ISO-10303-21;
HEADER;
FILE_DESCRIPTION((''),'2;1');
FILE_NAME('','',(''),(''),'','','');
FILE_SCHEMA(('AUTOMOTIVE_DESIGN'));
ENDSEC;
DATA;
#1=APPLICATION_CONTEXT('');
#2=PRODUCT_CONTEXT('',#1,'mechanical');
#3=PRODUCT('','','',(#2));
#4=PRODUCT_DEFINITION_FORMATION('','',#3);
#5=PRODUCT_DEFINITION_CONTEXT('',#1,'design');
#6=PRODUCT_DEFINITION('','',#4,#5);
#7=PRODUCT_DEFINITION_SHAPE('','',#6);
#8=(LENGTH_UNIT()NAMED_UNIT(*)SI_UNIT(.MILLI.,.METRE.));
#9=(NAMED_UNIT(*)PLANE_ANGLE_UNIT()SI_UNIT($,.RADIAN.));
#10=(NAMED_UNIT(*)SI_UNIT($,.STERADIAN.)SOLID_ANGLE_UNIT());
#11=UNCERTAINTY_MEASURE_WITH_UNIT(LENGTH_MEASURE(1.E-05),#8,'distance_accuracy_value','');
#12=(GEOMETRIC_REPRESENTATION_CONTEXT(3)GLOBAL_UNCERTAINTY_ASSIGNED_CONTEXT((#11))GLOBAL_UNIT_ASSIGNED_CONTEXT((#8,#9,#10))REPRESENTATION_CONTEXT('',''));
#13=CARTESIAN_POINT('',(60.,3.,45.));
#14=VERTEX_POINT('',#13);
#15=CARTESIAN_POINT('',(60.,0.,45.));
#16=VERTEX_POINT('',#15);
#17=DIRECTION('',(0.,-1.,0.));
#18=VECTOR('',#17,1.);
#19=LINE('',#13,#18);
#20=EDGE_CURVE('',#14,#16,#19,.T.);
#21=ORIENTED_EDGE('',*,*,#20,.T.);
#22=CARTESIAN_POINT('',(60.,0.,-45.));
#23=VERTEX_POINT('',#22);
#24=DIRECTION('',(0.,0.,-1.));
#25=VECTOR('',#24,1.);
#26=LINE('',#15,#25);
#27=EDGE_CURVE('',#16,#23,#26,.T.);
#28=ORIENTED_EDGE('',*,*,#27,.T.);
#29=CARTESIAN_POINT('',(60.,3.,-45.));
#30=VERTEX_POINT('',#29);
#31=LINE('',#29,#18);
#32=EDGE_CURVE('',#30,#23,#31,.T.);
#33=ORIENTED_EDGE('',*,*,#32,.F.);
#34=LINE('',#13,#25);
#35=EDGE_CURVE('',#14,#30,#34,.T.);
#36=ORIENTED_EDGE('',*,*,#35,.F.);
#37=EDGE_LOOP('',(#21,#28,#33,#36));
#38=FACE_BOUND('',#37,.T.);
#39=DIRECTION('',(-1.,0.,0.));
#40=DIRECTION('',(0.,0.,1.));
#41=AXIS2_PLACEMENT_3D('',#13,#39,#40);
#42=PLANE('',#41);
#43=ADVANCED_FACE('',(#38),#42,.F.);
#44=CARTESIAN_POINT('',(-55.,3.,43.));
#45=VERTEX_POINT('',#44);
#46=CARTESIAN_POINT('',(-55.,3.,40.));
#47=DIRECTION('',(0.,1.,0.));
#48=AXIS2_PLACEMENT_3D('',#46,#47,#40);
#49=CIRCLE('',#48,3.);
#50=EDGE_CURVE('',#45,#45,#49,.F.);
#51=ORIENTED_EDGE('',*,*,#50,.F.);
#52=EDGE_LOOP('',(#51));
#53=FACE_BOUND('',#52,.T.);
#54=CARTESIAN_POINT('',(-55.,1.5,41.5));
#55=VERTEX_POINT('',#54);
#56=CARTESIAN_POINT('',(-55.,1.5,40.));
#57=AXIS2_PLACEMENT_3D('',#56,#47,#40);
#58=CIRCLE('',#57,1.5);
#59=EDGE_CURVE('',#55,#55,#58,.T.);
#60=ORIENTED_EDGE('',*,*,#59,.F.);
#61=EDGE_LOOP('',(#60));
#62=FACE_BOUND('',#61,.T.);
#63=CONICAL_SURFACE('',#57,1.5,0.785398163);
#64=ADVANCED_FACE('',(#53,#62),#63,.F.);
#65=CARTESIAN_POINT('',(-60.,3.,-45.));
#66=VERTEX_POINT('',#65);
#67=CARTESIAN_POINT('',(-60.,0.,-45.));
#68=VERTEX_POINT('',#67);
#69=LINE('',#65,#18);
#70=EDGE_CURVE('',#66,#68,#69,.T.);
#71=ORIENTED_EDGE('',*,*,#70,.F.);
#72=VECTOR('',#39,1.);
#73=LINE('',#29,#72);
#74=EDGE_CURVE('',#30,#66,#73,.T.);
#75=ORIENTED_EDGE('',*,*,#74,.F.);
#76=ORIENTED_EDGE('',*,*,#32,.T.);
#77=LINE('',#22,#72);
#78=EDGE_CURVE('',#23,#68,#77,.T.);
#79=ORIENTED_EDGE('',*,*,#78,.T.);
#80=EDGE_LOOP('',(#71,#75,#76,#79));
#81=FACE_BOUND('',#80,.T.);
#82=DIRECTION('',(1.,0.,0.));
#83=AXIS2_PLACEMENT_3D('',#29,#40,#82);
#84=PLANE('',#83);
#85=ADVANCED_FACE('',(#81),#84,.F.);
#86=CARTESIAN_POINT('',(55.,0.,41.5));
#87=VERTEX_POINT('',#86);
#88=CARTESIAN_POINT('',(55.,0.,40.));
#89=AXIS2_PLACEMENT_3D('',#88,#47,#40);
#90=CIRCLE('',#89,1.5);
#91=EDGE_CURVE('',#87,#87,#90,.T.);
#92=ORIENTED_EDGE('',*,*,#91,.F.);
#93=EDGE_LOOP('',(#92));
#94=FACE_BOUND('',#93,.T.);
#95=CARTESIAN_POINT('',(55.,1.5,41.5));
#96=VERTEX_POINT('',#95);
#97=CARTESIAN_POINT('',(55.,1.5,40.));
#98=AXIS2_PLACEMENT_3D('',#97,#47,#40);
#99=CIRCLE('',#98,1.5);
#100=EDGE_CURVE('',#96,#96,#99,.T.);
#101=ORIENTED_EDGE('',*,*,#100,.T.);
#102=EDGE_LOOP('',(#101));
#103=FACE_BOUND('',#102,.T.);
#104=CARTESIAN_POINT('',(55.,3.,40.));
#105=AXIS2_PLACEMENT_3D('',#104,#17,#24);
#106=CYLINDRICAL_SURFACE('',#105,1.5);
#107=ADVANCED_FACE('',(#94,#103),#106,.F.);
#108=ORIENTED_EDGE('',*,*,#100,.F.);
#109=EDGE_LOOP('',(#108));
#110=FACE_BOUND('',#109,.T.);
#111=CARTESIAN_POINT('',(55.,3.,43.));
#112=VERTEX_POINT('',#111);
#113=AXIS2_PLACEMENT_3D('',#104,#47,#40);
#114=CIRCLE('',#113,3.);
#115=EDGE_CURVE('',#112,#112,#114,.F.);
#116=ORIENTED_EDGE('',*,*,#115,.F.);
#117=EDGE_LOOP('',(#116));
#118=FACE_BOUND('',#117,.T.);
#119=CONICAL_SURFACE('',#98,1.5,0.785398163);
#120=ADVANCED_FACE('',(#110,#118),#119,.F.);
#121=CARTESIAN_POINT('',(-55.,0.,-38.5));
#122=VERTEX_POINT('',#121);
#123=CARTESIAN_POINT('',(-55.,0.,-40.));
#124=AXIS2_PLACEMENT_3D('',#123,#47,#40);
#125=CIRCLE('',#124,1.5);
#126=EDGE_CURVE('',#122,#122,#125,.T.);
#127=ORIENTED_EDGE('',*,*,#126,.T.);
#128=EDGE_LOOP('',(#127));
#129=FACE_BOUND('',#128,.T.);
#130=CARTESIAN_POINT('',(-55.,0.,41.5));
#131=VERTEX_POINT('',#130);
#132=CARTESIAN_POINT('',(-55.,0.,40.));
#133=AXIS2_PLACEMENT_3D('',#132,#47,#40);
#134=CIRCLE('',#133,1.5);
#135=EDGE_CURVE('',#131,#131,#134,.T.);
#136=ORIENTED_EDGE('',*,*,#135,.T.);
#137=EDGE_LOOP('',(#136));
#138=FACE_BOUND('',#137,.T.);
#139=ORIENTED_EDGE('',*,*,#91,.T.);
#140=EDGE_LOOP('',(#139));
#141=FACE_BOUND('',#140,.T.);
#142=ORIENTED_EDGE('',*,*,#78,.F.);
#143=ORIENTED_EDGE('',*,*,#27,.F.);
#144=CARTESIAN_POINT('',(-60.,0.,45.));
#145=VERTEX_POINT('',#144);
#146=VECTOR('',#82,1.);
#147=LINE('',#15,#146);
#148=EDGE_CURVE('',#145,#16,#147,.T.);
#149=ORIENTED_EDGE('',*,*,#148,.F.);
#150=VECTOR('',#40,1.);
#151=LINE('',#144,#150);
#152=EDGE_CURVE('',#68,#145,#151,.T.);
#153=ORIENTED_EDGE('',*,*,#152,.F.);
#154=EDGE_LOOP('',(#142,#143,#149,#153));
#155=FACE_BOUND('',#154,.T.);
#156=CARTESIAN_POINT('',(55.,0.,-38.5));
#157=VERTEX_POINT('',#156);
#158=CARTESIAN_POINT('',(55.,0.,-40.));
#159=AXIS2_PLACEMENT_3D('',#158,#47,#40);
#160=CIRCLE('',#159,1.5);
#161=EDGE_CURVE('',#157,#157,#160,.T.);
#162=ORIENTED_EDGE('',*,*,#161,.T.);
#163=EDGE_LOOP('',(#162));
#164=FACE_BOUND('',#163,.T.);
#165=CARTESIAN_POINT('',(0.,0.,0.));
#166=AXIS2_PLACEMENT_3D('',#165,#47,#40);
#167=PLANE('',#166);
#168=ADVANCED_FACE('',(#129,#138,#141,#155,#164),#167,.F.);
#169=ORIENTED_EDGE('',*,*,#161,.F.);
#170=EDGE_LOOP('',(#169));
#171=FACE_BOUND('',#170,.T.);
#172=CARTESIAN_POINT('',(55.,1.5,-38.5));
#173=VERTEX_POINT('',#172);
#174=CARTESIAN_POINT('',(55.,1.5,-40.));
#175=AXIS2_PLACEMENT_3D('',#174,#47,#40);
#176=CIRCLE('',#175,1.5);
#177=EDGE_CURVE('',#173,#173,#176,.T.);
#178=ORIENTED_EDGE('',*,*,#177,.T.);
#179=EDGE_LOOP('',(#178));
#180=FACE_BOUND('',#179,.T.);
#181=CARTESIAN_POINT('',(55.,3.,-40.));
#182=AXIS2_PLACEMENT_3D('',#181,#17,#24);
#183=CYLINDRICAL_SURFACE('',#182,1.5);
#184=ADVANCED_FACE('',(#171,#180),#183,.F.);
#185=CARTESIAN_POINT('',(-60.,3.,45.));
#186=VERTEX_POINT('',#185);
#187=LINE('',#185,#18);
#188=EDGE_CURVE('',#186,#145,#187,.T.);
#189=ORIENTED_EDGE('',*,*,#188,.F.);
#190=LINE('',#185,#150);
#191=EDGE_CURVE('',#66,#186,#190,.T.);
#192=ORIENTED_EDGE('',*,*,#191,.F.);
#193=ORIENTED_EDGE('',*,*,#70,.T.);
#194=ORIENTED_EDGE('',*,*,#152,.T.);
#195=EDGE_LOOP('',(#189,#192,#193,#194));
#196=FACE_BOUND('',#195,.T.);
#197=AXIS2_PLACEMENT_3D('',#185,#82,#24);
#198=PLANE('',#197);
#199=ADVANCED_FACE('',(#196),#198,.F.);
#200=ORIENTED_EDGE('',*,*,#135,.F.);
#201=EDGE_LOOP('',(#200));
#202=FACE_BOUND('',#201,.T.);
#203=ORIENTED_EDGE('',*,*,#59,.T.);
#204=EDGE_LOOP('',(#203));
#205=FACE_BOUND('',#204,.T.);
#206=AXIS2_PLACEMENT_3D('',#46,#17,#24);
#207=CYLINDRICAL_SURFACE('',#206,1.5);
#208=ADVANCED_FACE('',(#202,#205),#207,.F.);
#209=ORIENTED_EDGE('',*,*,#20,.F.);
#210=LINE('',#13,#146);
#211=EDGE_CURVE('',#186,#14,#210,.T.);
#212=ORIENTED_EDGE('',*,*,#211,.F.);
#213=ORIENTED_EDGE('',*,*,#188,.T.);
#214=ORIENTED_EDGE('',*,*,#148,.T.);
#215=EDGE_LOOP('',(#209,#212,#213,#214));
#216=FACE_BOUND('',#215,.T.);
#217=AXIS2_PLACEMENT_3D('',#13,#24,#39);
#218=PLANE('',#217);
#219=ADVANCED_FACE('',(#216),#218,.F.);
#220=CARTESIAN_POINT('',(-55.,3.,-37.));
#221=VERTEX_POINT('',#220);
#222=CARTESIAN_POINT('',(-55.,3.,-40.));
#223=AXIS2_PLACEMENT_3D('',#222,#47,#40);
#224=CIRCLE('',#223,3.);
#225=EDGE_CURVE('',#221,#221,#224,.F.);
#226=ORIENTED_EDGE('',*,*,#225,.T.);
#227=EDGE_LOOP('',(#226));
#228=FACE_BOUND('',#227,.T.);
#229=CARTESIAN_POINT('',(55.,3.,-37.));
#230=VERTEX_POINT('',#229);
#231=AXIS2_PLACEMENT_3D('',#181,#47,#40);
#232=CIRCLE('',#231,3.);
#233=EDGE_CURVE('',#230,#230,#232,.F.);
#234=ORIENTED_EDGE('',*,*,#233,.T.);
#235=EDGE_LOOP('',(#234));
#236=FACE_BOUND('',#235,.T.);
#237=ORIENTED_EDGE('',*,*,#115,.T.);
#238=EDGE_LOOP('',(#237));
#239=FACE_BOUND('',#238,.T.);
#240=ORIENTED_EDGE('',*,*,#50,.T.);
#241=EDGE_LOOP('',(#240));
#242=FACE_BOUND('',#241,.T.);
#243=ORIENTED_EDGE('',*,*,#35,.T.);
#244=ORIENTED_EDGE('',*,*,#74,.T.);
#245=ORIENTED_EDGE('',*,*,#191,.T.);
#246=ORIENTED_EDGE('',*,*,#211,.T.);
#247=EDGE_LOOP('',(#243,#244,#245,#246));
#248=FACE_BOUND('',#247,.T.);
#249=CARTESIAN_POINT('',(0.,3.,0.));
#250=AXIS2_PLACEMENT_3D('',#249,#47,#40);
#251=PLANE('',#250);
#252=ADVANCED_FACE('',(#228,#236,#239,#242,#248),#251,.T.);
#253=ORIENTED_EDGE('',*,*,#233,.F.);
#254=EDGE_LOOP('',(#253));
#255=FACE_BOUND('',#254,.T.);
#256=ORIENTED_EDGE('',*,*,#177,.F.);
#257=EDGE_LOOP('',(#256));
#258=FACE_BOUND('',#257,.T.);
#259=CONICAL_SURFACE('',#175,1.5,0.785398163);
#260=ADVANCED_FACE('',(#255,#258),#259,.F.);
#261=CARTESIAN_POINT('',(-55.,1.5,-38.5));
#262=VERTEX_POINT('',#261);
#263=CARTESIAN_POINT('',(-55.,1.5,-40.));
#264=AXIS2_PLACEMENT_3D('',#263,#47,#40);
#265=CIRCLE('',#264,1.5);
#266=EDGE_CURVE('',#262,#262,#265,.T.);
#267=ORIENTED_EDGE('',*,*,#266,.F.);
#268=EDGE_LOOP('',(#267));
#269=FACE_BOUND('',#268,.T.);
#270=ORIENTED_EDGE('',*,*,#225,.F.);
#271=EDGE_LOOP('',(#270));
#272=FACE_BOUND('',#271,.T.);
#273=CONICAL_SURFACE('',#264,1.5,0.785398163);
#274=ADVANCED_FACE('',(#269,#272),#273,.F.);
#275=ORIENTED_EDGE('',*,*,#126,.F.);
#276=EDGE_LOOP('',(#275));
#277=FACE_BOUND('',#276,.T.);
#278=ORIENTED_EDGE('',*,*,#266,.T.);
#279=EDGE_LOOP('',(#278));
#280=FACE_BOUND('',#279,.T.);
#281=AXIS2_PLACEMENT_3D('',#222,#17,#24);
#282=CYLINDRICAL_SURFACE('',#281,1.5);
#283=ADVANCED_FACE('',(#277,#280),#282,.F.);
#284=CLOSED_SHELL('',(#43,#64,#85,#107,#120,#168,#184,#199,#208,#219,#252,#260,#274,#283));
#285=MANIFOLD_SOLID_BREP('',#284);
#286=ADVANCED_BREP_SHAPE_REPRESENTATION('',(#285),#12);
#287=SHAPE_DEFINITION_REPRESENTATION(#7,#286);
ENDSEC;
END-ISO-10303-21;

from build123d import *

# Parameters (mm, degrees)
SKETCH1_W           = 120
SKETCH1_H           = 90
SKETCH1_R           = 1.5
BOSS_EXTRUDE1_DEPTH = 3
CHAMFER1_SIZE       = 1.5


with BuildPart() as part:
    # Sketch1 → Boss-Extrude1 (new body)
    with BuildSketch(Plane(origin=(0, 0, 0), x_dir=(1, 0, 0), z_dir=(0, 1, 0))):
        Rectangle(SKETCH1_W, SKETCH1_H)
        with Locations(Location((-55, 40, 0), (0, 0, 270))):
            Circle(SKETCH1_R, mode=Mode.SUBTRACT)
        with Locations(Location((-55, -40, 0), (0, 0, 270))):
            Circle(SKETCH1_R, mode=Mode.SUBTRACT)
        with Locations(Location((55, -40, 0), (0, 0, 270))):
            Circle(SKETCH1_R, mode=Mode.SUBTRACT)
        with Locations(Location((55, 40, 0), (0, 0, 270))):
            Circle(SKETCH1_R, mode=Mode.SUBTRACT)
    extrude(amount=BOSS_EXTRUDE1_DEPTH)

    # Chamfer1
    chamfer1_edges = [part.edges().sort_by_distance(p)[0] for p in [
        (-55, 3, -41.5),
        (-55, 3, 38.5),
        (55, 3, 38.5),
        (55, 3, -41.5),
    ]]
    chamfer(chamfer1_edges, length=CHAMFER1_SIZE)


solid = part.part
